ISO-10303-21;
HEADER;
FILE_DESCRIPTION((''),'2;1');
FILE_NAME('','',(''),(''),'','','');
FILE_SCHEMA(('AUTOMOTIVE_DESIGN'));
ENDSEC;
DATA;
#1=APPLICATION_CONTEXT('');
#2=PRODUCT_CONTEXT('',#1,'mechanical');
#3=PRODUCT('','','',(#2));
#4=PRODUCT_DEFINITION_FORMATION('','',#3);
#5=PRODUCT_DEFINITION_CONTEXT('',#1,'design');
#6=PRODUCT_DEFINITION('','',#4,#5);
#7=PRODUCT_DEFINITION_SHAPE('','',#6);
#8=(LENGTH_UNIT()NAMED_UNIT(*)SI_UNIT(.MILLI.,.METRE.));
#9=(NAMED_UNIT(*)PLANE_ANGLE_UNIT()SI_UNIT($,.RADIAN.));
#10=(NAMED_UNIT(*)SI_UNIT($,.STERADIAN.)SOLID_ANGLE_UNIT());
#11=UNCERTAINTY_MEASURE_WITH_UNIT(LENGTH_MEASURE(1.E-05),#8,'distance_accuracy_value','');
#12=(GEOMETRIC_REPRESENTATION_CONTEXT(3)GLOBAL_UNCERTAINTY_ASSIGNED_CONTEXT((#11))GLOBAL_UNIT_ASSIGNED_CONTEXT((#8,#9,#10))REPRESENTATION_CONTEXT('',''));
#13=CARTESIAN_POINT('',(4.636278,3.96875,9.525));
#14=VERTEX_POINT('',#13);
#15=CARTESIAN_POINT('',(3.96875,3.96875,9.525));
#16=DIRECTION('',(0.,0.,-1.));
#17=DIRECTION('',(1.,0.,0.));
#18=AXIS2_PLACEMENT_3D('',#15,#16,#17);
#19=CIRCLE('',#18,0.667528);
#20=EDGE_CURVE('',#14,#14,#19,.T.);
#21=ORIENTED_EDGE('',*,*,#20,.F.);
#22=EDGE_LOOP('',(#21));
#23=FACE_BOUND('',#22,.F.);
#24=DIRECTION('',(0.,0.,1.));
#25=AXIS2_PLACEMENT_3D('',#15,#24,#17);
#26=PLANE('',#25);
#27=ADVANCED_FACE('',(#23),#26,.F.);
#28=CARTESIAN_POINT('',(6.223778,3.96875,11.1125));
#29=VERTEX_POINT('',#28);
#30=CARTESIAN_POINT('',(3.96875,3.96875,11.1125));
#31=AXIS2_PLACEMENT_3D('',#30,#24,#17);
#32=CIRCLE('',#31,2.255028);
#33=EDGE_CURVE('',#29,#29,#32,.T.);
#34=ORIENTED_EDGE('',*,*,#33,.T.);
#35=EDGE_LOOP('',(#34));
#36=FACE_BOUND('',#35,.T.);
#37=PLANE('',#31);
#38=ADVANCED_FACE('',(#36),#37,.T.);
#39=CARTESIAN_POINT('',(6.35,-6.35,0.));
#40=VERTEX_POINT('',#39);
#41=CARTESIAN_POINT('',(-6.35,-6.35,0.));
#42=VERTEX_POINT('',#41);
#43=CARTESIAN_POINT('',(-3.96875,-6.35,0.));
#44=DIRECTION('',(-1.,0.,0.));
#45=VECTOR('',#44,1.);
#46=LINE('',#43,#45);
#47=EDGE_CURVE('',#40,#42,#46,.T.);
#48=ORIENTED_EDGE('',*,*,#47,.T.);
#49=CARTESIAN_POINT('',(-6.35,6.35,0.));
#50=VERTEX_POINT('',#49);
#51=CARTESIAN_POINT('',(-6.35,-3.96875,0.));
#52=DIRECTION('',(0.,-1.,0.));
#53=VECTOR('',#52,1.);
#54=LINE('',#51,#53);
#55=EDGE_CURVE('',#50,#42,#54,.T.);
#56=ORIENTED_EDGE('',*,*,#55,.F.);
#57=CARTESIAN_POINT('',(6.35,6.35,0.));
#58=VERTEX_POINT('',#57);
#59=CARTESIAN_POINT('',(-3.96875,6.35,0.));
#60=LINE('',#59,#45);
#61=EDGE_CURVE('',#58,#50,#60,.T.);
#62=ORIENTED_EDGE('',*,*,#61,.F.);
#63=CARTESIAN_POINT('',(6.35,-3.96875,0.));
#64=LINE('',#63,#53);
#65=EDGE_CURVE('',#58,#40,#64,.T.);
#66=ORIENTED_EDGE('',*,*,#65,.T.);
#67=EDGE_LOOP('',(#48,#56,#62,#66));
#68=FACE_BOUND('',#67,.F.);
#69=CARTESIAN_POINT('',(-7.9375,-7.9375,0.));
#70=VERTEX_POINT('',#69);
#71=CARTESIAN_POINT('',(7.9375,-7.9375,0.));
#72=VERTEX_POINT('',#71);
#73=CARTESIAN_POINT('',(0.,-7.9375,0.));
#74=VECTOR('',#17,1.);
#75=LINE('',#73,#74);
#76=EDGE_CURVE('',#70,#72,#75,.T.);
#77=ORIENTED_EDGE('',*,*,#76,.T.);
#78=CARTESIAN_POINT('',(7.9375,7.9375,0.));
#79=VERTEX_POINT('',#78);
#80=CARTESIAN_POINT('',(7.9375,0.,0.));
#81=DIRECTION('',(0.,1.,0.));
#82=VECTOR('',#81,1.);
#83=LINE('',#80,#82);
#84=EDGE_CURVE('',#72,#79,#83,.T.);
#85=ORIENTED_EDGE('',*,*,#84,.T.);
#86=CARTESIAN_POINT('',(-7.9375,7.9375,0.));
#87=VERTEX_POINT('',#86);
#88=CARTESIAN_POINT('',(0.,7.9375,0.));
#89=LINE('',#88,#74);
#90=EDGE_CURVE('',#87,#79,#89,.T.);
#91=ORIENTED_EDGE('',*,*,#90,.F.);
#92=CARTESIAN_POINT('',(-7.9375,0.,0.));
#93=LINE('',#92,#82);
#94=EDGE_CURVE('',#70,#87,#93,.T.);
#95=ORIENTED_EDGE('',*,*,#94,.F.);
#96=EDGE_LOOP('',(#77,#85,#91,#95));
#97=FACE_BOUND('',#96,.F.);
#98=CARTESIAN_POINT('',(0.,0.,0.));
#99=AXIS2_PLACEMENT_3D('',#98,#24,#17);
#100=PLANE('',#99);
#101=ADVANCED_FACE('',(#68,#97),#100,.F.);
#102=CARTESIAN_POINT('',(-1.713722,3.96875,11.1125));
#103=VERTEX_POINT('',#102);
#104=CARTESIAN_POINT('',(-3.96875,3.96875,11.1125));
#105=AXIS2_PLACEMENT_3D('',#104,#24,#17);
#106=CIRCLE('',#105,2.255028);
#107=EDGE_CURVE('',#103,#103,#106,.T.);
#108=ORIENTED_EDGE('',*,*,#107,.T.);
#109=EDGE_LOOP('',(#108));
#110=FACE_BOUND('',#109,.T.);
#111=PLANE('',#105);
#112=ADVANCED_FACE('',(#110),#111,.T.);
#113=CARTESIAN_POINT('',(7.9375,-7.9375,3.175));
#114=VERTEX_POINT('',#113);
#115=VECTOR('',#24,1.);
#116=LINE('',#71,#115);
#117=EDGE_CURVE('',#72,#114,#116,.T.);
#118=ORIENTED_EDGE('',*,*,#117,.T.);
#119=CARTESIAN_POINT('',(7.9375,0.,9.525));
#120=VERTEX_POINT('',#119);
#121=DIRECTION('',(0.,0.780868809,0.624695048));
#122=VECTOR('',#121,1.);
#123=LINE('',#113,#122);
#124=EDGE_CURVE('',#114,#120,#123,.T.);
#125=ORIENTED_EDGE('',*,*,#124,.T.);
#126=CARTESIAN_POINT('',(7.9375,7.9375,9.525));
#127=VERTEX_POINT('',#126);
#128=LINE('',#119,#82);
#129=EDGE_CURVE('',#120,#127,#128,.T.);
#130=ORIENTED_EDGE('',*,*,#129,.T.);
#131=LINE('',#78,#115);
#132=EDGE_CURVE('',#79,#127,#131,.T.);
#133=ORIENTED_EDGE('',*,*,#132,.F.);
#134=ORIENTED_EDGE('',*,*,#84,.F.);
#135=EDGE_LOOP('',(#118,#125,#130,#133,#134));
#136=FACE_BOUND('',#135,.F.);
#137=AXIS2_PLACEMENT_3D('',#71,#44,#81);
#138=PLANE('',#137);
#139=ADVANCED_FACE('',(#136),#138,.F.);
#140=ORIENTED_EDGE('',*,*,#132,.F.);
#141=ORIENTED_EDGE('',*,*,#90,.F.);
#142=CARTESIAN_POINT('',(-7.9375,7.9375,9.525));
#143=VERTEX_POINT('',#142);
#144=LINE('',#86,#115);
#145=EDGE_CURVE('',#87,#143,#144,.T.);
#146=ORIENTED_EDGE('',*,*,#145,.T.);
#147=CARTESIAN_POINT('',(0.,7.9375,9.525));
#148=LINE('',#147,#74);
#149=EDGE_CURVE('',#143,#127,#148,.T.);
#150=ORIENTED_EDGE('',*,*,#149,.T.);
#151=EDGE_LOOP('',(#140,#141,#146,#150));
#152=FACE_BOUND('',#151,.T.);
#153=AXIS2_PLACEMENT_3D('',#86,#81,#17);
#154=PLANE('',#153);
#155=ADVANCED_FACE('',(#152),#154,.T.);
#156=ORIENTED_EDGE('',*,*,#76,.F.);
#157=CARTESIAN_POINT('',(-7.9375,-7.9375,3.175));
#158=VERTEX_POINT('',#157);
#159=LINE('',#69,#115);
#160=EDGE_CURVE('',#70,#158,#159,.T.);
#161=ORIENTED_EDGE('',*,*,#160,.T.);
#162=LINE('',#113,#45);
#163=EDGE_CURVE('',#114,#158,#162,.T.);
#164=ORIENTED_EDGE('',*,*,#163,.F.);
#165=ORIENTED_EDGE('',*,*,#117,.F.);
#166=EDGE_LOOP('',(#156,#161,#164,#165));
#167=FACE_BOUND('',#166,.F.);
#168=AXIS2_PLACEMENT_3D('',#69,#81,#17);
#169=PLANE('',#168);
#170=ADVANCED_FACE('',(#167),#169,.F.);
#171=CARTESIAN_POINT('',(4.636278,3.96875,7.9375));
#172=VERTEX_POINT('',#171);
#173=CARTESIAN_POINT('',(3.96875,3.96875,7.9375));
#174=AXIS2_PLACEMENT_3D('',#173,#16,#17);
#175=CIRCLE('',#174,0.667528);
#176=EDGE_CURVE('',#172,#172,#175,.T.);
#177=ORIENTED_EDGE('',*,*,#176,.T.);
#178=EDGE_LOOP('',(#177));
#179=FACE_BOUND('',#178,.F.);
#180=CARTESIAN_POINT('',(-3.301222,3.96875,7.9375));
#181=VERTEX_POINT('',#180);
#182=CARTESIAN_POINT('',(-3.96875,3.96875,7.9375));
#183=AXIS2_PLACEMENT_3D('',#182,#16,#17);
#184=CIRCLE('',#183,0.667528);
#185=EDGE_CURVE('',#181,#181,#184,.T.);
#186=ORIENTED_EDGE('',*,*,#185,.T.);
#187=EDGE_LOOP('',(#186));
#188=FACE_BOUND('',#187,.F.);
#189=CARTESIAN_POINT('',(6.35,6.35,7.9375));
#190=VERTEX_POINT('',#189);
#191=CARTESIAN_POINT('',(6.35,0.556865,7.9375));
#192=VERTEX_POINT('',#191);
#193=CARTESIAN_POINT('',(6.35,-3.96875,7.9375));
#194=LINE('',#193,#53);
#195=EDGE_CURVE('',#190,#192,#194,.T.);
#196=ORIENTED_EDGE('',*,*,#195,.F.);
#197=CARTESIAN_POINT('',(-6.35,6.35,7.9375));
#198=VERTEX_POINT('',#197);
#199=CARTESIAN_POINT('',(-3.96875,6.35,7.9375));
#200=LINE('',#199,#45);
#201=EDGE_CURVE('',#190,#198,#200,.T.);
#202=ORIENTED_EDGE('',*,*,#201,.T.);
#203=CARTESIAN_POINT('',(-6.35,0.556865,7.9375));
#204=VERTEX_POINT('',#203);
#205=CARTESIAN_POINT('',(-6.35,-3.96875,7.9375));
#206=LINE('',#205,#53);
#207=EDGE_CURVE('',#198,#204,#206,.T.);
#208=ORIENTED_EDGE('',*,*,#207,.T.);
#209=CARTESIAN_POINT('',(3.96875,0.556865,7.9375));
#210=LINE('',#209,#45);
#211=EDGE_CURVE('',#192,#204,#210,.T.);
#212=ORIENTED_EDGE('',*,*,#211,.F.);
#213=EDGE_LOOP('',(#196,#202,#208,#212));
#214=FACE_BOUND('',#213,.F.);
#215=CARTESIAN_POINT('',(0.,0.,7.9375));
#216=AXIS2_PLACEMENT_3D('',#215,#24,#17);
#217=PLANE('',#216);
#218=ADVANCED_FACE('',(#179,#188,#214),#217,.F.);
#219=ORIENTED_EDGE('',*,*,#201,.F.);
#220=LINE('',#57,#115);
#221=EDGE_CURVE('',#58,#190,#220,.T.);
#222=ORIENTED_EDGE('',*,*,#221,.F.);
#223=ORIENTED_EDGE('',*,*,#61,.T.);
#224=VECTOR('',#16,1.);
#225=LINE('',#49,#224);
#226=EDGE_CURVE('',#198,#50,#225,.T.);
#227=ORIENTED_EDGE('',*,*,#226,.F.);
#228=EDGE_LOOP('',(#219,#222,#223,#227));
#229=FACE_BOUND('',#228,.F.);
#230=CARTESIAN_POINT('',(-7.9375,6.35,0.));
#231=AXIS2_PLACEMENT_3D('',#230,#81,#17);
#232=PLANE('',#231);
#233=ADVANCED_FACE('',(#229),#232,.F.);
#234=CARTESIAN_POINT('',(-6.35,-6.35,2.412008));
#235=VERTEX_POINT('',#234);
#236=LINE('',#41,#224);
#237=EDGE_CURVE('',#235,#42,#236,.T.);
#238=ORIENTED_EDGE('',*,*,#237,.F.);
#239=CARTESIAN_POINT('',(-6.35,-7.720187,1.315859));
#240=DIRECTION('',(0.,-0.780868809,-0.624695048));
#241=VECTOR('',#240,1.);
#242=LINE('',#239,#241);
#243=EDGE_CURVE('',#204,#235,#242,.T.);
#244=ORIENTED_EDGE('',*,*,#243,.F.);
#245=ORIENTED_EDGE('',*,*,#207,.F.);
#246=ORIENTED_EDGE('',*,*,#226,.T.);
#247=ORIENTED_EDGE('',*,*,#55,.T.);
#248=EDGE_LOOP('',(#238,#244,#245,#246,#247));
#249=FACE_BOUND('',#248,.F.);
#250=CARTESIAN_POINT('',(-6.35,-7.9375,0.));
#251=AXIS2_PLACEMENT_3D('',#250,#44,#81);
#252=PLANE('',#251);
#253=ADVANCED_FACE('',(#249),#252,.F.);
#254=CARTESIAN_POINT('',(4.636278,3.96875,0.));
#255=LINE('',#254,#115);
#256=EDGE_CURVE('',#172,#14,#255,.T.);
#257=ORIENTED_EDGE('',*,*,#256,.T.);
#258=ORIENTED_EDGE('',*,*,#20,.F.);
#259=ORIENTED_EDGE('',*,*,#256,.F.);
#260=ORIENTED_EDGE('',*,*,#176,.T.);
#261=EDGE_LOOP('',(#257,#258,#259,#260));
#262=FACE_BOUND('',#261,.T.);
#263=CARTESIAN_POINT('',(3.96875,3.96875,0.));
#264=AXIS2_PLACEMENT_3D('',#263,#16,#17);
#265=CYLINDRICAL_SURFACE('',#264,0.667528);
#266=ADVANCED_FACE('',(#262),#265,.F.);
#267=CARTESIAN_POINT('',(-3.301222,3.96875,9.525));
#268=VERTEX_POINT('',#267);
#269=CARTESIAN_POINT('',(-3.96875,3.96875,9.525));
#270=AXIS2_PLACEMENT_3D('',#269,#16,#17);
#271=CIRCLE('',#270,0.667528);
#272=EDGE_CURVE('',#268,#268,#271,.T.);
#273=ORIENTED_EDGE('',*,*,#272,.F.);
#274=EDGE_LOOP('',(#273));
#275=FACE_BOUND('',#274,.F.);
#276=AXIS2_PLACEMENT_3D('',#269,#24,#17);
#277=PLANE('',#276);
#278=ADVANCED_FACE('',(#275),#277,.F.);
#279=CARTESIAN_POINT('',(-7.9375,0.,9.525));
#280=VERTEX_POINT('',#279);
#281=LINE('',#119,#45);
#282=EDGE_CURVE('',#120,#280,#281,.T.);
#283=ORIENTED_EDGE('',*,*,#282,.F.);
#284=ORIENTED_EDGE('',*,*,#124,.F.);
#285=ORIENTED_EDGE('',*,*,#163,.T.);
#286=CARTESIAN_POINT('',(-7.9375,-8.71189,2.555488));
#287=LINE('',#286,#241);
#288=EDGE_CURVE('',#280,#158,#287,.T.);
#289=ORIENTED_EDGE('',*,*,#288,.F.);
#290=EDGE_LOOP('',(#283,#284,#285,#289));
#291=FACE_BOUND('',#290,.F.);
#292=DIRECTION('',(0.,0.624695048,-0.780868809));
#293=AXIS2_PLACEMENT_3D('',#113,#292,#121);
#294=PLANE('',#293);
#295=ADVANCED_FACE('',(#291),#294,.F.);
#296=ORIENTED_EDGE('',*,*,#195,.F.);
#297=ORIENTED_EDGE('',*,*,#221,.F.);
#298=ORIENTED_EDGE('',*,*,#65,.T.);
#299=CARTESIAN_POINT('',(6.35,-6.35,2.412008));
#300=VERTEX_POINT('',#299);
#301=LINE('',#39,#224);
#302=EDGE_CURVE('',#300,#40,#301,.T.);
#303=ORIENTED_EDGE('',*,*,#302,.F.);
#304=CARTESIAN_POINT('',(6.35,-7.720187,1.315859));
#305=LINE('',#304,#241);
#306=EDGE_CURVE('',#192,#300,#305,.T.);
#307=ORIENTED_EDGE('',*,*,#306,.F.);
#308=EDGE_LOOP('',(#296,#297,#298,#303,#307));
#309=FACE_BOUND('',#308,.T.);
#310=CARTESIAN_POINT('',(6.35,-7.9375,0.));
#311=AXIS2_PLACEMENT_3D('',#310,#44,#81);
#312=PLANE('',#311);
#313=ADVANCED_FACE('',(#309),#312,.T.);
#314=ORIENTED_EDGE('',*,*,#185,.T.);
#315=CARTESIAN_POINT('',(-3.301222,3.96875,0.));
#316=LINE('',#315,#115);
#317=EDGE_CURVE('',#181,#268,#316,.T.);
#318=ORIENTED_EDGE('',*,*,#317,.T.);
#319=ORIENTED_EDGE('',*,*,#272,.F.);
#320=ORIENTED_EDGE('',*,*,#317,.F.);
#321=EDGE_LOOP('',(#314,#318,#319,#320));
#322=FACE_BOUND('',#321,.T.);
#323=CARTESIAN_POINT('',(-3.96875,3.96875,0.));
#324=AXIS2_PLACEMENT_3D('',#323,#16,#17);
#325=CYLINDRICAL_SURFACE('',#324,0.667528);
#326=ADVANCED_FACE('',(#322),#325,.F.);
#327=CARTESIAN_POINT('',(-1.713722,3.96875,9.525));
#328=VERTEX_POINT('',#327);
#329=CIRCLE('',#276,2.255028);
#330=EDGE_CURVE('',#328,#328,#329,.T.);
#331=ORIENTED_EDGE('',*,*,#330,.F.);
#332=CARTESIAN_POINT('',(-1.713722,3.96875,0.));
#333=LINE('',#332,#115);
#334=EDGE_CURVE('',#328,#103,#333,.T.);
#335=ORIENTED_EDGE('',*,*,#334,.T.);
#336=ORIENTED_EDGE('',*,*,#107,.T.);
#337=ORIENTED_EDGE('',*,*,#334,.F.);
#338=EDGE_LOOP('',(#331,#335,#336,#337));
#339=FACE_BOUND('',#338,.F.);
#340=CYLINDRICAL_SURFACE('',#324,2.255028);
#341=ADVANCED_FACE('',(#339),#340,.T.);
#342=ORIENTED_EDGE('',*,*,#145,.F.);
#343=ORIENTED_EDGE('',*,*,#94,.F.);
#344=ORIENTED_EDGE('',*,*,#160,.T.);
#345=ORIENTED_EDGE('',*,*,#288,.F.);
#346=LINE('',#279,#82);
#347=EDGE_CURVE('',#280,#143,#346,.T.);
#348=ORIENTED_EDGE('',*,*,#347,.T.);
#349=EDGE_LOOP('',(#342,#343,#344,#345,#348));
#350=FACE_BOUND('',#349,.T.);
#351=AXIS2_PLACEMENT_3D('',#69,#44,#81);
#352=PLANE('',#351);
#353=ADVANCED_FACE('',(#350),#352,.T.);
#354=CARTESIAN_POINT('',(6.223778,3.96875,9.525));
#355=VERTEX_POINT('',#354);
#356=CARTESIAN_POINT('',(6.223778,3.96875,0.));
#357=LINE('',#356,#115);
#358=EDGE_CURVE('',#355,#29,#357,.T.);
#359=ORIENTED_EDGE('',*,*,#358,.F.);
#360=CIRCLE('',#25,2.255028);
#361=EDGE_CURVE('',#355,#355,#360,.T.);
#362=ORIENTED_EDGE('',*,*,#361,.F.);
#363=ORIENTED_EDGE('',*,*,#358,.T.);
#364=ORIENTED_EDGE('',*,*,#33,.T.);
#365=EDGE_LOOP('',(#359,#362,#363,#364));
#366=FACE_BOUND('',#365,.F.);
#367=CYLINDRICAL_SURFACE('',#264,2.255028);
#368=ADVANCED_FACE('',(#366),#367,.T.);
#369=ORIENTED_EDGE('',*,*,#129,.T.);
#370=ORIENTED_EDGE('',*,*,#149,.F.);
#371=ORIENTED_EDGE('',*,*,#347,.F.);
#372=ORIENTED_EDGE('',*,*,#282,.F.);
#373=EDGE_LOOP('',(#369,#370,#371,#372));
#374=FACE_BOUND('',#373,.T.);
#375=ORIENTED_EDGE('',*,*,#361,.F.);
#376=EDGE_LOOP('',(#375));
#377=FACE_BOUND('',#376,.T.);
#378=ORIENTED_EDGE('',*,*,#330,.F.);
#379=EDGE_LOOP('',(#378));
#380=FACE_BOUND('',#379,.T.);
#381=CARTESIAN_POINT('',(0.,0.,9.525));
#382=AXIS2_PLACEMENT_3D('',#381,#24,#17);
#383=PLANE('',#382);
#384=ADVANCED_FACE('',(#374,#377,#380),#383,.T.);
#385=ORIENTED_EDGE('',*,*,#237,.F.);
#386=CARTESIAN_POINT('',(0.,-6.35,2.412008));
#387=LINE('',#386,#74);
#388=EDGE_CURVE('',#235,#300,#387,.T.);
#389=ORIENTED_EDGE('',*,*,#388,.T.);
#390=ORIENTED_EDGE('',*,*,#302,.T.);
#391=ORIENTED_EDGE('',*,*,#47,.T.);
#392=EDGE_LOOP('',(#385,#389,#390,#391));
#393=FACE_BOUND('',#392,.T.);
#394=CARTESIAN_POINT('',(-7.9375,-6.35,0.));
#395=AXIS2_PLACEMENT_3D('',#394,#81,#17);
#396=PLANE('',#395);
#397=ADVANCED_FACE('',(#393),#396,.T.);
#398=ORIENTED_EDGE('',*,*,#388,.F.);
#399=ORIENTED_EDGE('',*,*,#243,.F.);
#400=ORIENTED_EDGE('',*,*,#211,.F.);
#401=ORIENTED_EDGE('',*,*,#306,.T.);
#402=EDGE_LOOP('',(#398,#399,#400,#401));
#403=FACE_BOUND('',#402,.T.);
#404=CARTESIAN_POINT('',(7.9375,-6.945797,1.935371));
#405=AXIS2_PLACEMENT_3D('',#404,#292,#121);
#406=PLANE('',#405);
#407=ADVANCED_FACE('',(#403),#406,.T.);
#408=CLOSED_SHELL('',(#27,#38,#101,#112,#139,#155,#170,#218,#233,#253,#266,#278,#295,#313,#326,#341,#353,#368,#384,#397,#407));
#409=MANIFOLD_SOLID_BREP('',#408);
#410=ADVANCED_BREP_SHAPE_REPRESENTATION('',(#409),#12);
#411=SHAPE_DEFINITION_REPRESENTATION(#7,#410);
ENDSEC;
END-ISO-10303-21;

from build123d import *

# Parameters (mm, degrees)
F0_W     = 15.875
F0_H     = 15.875
F0_R     = 2.2550277878
F0_R_2   = 3.175
F0_R_3   = 2.38125
F1_DEPTH = 9.525
F2_DEPTH = 11.1125
F3_DEPTH = 9.525
F5_DEPTH = 25.4
F6_T     = -1.5875


with BuildPart() as f1:
    # F0 (on Top) → F1 (new body)
    with BuildSketch(Plane.XY):
        Rectangle(F0_W, F0_H)
        with Locations((-3.96875, 3.96875)):
            Circle(F0_R, mode=Mode.SUBTRACT)
        Circle(F0_R_2, mode=Mode.SUBTRACT)
        with Locations((3.96875, 3.96875)):
            Circle(F0_R, mode=Mode.SUBTRACT)
        Circle(F0_R_2)
        Circle(F0_R_3, mode=Mode.SUBTRACT)
        Circle(F0_R_3)
    extrude(amount=F1_DEPTH)

    # F0 (on Top) → F2 (join)
    with BuildSketch(Plane.XY):
        with Locations((-3.96875, 3.96875)):
            Circle(F0_R)
        with Locations((3.96875, 3.96875)):
            Circle(F0_R)
    extrude(amount=F2_DEPTH)

    # F0 (on Top) → F3 (join)
    with BuildSketch(Plane.XY):
        Circle(F0_R_2)
        Circle(F0_R_3, mode=Mode.SUBTRACT)
    extrude(amount=F3_DEPTH)

    # F4 (on face) → F5 (cut)
    with BuildSketch(Plane.YZ.offset(7.9375)):
        Polygon((-7.9375, 9.525), (-7.9375, 3.175), (0, 9.525), align=None)
    extrude(amount=-F5_DEPTH, mode=Mode.SUBTRACT)

    # F6
    f6_openings = [f1.faces().sort_by_distance(p)[0] for p in [
        (0, 0, 0),
    ]]
    offset(amount=F6_T, openings=f6_openings, kind=Kind.INTERSECTION)


solid = f1.part
